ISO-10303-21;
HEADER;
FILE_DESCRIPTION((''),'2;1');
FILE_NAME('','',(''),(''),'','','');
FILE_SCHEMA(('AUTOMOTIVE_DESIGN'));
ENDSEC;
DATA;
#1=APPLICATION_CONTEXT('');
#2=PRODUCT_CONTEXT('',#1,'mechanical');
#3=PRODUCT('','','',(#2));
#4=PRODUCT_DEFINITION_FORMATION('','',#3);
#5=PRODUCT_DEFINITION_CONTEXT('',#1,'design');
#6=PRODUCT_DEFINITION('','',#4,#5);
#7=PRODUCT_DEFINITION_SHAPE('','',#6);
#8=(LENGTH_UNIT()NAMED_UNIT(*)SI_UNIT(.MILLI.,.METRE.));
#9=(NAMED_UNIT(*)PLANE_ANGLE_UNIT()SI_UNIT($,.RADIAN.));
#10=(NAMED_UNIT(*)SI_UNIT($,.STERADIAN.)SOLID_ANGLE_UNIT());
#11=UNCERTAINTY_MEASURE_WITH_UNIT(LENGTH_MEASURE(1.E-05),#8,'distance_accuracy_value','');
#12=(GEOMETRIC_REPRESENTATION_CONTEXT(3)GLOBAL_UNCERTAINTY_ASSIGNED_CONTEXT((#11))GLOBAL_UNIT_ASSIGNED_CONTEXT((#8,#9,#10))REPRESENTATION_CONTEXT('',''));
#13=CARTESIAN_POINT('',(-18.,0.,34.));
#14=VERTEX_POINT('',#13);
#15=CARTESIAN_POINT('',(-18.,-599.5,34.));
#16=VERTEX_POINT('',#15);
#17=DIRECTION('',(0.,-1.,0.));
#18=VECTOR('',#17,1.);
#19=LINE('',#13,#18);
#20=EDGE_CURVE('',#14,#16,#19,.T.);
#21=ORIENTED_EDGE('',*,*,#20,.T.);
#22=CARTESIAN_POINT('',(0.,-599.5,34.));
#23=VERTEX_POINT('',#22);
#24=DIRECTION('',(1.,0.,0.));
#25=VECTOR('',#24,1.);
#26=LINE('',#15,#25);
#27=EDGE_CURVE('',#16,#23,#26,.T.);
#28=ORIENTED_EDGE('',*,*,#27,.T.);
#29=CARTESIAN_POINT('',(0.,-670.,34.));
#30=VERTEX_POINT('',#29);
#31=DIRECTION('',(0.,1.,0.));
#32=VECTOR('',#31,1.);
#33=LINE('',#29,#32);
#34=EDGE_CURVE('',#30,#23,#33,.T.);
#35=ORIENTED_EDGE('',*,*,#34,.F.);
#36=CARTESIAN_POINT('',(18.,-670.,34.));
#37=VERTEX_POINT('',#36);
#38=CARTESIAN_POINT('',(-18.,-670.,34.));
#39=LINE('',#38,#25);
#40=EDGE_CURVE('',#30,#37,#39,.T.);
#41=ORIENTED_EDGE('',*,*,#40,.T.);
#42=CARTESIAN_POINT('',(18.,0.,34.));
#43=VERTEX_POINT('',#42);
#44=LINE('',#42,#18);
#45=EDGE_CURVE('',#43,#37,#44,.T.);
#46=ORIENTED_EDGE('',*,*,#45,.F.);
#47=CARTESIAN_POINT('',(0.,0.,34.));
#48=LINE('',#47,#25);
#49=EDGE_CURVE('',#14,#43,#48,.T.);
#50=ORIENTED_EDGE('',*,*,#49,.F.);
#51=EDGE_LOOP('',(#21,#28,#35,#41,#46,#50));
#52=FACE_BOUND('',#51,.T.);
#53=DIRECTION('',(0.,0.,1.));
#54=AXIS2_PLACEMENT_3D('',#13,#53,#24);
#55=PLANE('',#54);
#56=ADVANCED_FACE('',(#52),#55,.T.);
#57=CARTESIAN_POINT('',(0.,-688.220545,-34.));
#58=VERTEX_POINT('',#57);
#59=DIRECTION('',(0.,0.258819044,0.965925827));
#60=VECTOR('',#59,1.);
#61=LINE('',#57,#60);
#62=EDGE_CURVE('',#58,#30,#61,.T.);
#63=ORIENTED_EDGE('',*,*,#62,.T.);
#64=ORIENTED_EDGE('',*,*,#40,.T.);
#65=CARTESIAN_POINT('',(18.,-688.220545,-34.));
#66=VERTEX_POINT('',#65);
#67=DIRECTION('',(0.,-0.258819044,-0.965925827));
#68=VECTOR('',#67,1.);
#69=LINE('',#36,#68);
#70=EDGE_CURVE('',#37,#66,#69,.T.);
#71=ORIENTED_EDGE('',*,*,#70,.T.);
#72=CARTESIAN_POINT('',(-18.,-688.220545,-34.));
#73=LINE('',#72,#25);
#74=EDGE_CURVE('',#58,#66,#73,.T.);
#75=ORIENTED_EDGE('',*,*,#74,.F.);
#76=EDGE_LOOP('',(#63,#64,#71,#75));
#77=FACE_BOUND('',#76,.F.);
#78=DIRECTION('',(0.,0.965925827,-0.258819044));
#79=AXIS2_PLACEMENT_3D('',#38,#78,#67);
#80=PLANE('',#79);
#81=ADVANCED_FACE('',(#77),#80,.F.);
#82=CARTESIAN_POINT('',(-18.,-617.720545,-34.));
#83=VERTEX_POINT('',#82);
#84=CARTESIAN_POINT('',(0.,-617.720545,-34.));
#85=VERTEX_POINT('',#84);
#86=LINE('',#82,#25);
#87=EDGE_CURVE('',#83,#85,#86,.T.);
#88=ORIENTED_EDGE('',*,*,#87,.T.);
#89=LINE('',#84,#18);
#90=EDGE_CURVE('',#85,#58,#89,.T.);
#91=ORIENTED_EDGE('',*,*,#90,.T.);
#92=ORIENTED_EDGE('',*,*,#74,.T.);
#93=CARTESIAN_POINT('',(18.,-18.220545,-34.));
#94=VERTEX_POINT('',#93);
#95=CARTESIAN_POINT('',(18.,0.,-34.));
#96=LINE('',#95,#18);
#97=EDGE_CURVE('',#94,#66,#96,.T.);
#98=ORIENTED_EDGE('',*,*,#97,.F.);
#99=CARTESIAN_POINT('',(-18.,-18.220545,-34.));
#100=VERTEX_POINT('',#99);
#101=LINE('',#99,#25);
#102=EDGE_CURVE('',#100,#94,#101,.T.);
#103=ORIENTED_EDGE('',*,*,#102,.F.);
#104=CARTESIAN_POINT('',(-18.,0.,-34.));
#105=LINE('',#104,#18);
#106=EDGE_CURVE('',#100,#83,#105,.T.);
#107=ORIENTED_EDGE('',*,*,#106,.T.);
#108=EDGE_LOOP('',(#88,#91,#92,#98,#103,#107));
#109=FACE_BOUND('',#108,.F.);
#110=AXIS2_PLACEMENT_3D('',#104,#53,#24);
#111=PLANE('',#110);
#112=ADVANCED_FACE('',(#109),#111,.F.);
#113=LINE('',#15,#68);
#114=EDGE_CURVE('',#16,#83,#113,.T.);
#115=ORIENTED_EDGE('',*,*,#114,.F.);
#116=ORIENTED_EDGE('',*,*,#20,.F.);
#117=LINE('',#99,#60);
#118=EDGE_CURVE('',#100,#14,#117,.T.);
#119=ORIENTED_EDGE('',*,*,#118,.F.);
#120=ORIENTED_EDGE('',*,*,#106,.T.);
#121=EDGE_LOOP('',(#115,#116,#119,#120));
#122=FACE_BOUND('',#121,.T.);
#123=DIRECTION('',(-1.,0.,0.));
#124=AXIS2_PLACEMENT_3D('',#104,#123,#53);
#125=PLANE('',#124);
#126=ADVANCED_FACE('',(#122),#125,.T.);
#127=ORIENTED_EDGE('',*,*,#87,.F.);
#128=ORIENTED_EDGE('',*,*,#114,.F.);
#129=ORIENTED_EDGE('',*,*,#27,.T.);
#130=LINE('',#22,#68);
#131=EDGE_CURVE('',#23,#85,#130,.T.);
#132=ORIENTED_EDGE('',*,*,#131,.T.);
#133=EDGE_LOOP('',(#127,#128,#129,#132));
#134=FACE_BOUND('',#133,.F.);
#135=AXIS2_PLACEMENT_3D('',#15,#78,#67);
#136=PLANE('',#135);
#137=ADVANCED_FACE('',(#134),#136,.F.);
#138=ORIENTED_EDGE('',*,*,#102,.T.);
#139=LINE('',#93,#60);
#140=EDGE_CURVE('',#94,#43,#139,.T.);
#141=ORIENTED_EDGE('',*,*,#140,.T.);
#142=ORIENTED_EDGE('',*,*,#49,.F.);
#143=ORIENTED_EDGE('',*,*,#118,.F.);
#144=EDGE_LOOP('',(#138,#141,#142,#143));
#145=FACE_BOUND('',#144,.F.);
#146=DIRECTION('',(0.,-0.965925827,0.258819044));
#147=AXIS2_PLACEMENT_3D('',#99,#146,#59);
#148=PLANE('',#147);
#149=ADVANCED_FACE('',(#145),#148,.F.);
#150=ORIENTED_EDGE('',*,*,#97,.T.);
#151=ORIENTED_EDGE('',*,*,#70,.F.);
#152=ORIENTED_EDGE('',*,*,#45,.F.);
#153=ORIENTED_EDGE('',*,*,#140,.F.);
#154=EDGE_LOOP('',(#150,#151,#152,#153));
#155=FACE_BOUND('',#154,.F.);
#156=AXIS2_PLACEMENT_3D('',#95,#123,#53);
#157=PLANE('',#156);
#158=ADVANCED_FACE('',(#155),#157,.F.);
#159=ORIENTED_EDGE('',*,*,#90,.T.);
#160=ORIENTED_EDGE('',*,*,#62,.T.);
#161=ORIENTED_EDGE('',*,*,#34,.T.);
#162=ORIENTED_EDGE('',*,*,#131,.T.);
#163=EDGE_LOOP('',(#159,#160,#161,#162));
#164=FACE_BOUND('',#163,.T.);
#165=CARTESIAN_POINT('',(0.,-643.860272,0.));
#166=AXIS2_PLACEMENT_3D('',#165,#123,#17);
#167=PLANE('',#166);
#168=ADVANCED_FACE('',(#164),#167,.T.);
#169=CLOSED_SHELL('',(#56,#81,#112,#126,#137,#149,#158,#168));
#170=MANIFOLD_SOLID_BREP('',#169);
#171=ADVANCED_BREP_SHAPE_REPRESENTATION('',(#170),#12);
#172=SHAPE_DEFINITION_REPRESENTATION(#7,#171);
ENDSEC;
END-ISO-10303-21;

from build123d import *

# Parameters (mm, degrees)
F0_W     = 36
F0_H     = 68
F1_DEPTH = 750
F3_DEPTH = 36
F5_DEPTH = 18


with BuildPart() as f1:
    # F0 (on Front) → F1 (new body)
    with BuildSketch(Plane.XZ):
        Rectangle(F0_W, F0_H)
    extrude(amount=F1_DEPTH)

    # F2 (on face) → F3 (cut, through all)
    with BuildSketch(Plane(origin=(-18, 0, 0), x_dir=(0, -1, 0), z_dir=(-1, 0, 0))):
        Polygon((18.220545, -34), (0, 34), (0, -34), align=None)
        Polygon((750, 34), (670, 34), (688.220545, -34), (750, -34), align=None)
    extrude(amount=-F3_DEPTH, mode=Mode.SUBTRACT)

    # F4 (on face) → F5 (cut)
    with BuildSketch(Plane(origin=(-18, 0, 0), x_dir=(0, -1, 0), z_dir=(-1, 0, 0))):
        Polygon((670, 34), (599.5, 34), (617.720545, -34), (688.220545, -34), align=None)
    extrude(amount=-F5_DEPTH, mode=Mode.SUBTRACT)


solid = f1.part
